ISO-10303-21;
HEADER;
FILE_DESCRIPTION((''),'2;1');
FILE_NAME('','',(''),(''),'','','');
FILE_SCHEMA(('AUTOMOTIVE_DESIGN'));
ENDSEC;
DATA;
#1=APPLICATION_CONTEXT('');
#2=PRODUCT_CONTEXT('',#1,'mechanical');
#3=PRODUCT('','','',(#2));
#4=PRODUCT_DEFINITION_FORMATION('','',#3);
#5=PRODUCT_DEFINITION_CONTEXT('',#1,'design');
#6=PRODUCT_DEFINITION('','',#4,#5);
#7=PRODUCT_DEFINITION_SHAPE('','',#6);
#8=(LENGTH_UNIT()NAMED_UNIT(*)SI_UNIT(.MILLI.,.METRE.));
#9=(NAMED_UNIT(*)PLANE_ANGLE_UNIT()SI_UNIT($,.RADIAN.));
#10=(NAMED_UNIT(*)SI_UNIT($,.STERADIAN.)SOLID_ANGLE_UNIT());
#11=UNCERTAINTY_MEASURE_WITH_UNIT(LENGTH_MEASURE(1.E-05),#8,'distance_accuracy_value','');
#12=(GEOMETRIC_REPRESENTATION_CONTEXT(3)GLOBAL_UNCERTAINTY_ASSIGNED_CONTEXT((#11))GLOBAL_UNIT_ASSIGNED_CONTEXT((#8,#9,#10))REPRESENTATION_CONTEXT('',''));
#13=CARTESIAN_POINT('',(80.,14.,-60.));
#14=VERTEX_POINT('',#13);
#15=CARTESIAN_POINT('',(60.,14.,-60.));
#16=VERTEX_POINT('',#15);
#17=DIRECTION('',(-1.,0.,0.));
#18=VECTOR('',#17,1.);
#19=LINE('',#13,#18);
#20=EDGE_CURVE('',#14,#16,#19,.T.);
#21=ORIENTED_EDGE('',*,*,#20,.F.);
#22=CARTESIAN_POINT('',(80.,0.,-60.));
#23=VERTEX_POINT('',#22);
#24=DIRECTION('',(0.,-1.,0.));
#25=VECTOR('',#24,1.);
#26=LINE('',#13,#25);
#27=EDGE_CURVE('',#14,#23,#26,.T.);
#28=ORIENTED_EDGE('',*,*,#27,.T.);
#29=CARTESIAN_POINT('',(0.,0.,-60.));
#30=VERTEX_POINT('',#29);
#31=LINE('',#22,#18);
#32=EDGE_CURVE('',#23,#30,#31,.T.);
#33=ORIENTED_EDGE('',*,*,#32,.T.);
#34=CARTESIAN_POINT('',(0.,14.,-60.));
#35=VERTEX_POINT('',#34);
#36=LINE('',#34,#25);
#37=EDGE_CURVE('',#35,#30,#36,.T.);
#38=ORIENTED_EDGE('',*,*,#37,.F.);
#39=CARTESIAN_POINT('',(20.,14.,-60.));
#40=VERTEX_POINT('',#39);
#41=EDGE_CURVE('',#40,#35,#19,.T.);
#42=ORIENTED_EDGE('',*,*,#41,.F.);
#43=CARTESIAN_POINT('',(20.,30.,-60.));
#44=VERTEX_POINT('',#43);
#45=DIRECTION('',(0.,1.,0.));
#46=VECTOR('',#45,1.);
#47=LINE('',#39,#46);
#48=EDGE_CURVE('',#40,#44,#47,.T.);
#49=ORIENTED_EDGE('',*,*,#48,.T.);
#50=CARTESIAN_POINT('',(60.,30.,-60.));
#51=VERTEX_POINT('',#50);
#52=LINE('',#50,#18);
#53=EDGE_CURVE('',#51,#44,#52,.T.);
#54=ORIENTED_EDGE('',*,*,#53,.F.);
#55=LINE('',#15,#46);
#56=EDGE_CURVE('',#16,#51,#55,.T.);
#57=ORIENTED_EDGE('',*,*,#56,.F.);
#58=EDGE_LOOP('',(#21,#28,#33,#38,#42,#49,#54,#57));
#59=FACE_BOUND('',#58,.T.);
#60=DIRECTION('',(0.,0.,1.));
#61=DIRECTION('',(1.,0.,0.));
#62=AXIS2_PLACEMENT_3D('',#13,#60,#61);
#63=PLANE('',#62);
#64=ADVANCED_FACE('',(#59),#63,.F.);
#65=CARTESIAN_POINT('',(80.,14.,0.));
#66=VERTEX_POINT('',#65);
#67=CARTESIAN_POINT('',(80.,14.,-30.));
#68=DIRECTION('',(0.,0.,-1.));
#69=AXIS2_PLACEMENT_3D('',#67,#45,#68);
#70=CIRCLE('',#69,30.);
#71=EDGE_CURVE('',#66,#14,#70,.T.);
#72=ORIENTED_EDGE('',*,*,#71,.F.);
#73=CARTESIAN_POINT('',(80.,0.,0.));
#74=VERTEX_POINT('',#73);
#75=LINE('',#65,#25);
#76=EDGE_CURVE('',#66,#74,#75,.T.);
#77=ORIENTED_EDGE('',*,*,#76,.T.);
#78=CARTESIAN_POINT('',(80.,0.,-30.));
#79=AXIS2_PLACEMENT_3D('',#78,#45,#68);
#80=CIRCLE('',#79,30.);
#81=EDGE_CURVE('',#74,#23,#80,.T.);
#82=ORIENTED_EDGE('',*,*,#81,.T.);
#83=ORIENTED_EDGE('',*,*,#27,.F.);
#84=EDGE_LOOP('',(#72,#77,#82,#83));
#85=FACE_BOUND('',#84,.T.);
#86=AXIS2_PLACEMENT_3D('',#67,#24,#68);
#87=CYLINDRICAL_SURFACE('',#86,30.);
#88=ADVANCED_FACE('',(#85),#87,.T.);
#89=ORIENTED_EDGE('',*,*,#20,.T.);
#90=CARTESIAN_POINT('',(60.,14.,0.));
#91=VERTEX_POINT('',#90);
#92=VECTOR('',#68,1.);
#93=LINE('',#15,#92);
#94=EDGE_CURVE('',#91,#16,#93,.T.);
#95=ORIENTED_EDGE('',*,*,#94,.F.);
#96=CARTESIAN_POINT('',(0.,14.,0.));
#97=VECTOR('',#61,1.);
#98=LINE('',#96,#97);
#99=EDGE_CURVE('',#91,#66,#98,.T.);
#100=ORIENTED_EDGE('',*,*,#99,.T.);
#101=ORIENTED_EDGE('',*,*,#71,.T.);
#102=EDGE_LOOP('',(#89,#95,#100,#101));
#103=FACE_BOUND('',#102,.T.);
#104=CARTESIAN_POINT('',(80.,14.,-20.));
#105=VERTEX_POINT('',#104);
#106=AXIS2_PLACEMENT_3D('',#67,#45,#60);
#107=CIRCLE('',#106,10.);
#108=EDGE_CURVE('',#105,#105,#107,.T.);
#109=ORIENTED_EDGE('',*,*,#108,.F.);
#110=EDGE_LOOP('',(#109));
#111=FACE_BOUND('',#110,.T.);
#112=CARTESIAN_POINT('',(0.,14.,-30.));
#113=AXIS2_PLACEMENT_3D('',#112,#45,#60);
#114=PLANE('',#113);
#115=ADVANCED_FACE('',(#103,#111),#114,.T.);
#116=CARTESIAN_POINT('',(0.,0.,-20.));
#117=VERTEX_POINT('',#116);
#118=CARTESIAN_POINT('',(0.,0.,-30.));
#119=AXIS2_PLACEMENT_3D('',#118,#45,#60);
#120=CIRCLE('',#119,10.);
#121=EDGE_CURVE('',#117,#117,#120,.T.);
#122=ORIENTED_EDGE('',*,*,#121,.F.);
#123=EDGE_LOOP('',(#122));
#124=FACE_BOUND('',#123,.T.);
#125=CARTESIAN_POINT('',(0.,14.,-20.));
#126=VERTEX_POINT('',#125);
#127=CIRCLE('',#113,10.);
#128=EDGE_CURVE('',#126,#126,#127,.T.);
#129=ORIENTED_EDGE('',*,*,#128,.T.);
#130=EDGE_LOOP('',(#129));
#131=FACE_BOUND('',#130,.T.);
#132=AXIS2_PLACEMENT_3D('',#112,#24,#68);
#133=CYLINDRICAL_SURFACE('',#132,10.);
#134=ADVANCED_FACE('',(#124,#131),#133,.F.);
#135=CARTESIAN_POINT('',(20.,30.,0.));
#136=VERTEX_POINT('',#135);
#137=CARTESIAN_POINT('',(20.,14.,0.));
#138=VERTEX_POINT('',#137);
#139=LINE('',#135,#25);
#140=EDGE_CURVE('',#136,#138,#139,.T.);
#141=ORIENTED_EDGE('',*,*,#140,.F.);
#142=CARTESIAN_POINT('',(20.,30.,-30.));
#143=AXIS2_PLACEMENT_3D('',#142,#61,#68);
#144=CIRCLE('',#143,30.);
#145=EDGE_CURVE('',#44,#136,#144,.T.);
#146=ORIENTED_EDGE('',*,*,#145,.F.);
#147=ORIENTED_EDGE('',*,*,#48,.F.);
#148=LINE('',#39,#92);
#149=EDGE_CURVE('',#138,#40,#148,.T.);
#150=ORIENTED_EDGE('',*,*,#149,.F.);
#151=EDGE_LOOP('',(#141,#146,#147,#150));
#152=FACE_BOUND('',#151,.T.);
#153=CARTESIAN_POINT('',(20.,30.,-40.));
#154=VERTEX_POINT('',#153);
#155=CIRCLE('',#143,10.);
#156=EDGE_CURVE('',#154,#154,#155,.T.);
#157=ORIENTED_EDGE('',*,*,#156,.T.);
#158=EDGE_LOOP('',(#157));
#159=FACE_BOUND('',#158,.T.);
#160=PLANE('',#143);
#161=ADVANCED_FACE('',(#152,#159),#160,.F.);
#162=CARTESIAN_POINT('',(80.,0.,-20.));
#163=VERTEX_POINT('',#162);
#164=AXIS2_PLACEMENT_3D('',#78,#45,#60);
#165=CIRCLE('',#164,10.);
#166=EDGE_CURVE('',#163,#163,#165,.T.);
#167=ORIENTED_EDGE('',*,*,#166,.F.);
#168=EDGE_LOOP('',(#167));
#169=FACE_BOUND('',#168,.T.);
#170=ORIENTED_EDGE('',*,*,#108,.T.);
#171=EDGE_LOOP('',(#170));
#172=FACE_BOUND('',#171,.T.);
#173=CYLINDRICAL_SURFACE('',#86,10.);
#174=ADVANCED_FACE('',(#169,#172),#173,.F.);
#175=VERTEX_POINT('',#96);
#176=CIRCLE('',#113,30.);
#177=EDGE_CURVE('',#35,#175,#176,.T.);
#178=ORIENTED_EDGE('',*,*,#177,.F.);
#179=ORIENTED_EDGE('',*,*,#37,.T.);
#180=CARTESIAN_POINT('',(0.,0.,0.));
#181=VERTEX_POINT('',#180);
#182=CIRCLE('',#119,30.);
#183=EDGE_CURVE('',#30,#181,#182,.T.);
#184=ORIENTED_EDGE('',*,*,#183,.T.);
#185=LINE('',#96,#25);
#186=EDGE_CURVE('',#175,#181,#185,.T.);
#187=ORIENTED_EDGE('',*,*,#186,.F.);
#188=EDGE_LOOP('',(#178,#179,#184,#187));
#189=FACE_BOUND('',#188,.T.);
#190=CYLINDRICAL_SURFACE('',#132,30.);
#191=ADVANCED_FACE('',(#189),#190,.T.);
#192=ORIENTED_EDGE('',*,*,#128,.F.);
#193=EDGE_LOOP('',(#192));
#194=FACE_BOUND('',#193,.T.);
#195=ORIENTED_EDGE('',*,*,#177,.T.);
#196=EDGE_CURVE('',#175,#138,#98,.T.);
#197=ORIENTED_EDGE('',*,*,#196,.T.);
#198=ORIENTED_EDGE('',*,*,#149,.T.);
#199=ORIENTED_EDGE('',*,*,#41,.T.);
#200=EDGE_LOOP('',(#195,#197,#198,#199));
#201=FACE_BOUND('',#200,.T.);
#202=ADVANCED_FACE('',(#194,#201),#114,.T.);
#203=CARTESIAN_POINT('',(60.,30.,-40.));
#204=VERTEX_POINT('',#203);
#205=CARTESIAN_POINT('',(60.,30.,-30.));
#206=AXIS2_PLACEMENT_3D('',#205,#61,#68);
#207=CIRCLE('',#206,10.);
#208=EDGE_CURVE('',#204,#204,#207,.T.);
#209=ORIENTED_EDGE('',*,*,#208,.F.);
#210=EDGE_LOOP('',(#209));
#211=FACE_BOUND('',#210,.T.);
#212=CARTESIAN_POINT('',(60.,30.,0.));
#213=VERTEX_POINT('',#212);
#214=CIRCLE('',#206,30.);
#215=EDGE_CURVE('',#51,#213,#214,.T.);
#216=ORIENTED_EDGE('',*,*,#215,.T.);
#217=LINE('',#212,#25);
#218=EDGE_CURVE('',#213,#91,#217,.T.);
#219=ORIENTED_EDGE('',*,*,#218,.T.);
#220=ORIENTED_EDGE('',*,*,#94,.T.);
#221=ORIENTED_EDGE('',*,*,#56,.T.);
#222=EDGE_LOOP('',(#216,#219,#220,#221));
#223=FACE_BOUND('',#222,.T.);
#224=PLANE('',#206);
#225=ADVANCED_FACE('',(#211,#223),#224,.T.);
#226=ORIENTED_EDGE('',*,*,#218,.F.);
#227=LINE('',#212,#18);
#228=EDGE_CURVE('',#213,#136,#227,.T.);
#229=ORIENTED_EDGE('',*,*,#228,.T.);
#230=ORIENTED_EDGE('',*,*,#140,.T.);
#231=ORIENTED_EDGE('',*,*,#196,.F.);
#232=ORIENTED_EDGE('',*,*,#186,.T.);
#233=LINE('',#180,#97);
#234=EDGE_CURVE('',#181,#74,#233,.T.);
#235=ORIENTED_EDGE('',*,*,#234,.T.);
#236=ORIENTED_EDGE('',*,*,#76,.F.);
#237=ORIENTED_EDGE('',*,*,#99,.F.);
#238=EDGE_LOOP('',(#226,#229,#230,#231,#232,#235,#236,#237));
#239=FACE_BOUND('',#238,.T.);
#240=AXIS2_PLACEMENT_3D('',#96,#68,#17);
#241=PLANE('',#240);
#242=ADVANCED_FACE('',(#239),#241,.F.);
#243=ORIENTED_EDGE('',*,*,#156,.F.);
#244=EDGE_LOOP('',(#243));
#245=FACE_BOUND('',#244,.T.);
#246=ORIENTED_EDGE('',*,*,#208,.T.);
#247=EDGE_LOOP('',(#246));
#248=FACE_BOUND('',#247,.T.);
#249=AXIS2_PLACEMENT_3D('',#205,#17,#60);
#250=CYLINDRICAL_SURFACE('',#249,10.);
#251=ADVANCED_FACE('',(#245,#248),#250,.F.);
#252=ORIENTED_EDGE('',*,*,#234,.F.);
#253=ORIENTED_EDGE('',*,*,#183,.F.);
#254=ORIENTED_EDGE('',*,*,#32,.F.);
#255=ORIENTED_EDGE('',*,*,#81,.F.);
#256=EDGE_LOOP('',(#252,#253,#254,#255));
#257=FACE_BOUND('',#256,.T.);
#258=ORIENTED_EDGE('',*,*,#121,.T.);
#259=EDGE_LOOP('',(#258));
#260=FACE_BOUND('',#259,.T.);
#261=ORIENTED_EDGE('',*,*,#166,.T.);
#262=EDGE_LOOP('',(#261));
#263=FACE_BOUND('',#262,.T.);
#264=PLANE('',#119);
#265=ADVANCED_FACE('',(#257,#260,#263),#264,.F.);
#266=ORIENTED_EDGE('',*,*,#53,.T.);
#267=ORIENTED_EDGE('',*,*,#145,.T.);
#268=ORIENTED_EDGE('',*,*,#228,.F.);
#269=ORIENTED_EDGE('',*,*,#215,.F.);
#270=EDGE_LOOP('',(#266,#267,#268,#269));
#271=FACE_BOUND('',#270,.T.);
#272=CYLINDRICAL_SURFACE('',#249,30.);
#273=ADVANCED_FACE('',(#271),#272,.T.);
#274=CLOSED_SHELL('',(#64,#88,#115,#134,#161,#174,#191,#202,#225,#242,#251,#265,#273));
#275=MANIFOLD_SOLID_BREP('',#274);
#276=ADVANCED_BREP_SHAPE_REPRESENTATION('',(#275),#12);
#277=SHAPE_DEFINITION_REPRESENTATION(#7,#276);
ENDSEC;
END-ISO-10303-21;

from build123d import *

# Parameters (mm, degrees)
CROQUIS1_R              = 10
SALIENTE_EXTRUIR1_DEPTH = 14
SALIENTE_EXTRUIR2_START = 20
CROQUIS5_R              = 10
SALIENTE_EXTRUIR2_DEPTH = 40


with BuildPart() as part:
    # Croquis1 → Saliente-Extruir1 (new body)
    with BuildSketch(Plane(origin=(0, 0, 0), x_dir=(1, 0, 0), z_dir=(0, 1, 0))):
        with BuildLine():
            Line((0, 0), (80, 0))
            ThreePointArc((80, 0), (110, 30), (80, 60))
            Line((80, 60), (0, 60))
            ThreePointArc((0, 60), (-30, 30), (0, 0))
        make_face()
        with Locations(Location((0, 30, 0), (0, 0, 270))):
            Circle(CROQUIS1_R, mode=Mode.SUBTRACT)
        with Locations(Location((80, 30, 0), (0, 0, 270))):
            Circle(CROQUIS1_R, mode=Mode.SUBTRACT)
    extrude(amount=SALIENTE_EXTRUIR1_DEPTH)

    # Croquis5 → Saliente-Extruir2 (add)
    with BuildSketch(Plane(origin=(0, 0, 0), x_dir=(0, 0, -1), z_dir=(1, 0, 0)).offset(SALIENTE_EXTRUIR2_START)):
        with BuildLine():
            Line((60, 14), (60, 30))
            ThreePointArc((60, 30), (30, 60), (0, 30))
            Line((0, 30), (0, 14))
            Line((0, 14), (60, 14))
        make_face()
        with Locations((30, 30)):
            Circle(CROQUIS5_R, mode=Mode.SUBTRACT)
    extrude(amount=SALIENTE_EXTRUIR2_DEPTH)


solid = part.part
